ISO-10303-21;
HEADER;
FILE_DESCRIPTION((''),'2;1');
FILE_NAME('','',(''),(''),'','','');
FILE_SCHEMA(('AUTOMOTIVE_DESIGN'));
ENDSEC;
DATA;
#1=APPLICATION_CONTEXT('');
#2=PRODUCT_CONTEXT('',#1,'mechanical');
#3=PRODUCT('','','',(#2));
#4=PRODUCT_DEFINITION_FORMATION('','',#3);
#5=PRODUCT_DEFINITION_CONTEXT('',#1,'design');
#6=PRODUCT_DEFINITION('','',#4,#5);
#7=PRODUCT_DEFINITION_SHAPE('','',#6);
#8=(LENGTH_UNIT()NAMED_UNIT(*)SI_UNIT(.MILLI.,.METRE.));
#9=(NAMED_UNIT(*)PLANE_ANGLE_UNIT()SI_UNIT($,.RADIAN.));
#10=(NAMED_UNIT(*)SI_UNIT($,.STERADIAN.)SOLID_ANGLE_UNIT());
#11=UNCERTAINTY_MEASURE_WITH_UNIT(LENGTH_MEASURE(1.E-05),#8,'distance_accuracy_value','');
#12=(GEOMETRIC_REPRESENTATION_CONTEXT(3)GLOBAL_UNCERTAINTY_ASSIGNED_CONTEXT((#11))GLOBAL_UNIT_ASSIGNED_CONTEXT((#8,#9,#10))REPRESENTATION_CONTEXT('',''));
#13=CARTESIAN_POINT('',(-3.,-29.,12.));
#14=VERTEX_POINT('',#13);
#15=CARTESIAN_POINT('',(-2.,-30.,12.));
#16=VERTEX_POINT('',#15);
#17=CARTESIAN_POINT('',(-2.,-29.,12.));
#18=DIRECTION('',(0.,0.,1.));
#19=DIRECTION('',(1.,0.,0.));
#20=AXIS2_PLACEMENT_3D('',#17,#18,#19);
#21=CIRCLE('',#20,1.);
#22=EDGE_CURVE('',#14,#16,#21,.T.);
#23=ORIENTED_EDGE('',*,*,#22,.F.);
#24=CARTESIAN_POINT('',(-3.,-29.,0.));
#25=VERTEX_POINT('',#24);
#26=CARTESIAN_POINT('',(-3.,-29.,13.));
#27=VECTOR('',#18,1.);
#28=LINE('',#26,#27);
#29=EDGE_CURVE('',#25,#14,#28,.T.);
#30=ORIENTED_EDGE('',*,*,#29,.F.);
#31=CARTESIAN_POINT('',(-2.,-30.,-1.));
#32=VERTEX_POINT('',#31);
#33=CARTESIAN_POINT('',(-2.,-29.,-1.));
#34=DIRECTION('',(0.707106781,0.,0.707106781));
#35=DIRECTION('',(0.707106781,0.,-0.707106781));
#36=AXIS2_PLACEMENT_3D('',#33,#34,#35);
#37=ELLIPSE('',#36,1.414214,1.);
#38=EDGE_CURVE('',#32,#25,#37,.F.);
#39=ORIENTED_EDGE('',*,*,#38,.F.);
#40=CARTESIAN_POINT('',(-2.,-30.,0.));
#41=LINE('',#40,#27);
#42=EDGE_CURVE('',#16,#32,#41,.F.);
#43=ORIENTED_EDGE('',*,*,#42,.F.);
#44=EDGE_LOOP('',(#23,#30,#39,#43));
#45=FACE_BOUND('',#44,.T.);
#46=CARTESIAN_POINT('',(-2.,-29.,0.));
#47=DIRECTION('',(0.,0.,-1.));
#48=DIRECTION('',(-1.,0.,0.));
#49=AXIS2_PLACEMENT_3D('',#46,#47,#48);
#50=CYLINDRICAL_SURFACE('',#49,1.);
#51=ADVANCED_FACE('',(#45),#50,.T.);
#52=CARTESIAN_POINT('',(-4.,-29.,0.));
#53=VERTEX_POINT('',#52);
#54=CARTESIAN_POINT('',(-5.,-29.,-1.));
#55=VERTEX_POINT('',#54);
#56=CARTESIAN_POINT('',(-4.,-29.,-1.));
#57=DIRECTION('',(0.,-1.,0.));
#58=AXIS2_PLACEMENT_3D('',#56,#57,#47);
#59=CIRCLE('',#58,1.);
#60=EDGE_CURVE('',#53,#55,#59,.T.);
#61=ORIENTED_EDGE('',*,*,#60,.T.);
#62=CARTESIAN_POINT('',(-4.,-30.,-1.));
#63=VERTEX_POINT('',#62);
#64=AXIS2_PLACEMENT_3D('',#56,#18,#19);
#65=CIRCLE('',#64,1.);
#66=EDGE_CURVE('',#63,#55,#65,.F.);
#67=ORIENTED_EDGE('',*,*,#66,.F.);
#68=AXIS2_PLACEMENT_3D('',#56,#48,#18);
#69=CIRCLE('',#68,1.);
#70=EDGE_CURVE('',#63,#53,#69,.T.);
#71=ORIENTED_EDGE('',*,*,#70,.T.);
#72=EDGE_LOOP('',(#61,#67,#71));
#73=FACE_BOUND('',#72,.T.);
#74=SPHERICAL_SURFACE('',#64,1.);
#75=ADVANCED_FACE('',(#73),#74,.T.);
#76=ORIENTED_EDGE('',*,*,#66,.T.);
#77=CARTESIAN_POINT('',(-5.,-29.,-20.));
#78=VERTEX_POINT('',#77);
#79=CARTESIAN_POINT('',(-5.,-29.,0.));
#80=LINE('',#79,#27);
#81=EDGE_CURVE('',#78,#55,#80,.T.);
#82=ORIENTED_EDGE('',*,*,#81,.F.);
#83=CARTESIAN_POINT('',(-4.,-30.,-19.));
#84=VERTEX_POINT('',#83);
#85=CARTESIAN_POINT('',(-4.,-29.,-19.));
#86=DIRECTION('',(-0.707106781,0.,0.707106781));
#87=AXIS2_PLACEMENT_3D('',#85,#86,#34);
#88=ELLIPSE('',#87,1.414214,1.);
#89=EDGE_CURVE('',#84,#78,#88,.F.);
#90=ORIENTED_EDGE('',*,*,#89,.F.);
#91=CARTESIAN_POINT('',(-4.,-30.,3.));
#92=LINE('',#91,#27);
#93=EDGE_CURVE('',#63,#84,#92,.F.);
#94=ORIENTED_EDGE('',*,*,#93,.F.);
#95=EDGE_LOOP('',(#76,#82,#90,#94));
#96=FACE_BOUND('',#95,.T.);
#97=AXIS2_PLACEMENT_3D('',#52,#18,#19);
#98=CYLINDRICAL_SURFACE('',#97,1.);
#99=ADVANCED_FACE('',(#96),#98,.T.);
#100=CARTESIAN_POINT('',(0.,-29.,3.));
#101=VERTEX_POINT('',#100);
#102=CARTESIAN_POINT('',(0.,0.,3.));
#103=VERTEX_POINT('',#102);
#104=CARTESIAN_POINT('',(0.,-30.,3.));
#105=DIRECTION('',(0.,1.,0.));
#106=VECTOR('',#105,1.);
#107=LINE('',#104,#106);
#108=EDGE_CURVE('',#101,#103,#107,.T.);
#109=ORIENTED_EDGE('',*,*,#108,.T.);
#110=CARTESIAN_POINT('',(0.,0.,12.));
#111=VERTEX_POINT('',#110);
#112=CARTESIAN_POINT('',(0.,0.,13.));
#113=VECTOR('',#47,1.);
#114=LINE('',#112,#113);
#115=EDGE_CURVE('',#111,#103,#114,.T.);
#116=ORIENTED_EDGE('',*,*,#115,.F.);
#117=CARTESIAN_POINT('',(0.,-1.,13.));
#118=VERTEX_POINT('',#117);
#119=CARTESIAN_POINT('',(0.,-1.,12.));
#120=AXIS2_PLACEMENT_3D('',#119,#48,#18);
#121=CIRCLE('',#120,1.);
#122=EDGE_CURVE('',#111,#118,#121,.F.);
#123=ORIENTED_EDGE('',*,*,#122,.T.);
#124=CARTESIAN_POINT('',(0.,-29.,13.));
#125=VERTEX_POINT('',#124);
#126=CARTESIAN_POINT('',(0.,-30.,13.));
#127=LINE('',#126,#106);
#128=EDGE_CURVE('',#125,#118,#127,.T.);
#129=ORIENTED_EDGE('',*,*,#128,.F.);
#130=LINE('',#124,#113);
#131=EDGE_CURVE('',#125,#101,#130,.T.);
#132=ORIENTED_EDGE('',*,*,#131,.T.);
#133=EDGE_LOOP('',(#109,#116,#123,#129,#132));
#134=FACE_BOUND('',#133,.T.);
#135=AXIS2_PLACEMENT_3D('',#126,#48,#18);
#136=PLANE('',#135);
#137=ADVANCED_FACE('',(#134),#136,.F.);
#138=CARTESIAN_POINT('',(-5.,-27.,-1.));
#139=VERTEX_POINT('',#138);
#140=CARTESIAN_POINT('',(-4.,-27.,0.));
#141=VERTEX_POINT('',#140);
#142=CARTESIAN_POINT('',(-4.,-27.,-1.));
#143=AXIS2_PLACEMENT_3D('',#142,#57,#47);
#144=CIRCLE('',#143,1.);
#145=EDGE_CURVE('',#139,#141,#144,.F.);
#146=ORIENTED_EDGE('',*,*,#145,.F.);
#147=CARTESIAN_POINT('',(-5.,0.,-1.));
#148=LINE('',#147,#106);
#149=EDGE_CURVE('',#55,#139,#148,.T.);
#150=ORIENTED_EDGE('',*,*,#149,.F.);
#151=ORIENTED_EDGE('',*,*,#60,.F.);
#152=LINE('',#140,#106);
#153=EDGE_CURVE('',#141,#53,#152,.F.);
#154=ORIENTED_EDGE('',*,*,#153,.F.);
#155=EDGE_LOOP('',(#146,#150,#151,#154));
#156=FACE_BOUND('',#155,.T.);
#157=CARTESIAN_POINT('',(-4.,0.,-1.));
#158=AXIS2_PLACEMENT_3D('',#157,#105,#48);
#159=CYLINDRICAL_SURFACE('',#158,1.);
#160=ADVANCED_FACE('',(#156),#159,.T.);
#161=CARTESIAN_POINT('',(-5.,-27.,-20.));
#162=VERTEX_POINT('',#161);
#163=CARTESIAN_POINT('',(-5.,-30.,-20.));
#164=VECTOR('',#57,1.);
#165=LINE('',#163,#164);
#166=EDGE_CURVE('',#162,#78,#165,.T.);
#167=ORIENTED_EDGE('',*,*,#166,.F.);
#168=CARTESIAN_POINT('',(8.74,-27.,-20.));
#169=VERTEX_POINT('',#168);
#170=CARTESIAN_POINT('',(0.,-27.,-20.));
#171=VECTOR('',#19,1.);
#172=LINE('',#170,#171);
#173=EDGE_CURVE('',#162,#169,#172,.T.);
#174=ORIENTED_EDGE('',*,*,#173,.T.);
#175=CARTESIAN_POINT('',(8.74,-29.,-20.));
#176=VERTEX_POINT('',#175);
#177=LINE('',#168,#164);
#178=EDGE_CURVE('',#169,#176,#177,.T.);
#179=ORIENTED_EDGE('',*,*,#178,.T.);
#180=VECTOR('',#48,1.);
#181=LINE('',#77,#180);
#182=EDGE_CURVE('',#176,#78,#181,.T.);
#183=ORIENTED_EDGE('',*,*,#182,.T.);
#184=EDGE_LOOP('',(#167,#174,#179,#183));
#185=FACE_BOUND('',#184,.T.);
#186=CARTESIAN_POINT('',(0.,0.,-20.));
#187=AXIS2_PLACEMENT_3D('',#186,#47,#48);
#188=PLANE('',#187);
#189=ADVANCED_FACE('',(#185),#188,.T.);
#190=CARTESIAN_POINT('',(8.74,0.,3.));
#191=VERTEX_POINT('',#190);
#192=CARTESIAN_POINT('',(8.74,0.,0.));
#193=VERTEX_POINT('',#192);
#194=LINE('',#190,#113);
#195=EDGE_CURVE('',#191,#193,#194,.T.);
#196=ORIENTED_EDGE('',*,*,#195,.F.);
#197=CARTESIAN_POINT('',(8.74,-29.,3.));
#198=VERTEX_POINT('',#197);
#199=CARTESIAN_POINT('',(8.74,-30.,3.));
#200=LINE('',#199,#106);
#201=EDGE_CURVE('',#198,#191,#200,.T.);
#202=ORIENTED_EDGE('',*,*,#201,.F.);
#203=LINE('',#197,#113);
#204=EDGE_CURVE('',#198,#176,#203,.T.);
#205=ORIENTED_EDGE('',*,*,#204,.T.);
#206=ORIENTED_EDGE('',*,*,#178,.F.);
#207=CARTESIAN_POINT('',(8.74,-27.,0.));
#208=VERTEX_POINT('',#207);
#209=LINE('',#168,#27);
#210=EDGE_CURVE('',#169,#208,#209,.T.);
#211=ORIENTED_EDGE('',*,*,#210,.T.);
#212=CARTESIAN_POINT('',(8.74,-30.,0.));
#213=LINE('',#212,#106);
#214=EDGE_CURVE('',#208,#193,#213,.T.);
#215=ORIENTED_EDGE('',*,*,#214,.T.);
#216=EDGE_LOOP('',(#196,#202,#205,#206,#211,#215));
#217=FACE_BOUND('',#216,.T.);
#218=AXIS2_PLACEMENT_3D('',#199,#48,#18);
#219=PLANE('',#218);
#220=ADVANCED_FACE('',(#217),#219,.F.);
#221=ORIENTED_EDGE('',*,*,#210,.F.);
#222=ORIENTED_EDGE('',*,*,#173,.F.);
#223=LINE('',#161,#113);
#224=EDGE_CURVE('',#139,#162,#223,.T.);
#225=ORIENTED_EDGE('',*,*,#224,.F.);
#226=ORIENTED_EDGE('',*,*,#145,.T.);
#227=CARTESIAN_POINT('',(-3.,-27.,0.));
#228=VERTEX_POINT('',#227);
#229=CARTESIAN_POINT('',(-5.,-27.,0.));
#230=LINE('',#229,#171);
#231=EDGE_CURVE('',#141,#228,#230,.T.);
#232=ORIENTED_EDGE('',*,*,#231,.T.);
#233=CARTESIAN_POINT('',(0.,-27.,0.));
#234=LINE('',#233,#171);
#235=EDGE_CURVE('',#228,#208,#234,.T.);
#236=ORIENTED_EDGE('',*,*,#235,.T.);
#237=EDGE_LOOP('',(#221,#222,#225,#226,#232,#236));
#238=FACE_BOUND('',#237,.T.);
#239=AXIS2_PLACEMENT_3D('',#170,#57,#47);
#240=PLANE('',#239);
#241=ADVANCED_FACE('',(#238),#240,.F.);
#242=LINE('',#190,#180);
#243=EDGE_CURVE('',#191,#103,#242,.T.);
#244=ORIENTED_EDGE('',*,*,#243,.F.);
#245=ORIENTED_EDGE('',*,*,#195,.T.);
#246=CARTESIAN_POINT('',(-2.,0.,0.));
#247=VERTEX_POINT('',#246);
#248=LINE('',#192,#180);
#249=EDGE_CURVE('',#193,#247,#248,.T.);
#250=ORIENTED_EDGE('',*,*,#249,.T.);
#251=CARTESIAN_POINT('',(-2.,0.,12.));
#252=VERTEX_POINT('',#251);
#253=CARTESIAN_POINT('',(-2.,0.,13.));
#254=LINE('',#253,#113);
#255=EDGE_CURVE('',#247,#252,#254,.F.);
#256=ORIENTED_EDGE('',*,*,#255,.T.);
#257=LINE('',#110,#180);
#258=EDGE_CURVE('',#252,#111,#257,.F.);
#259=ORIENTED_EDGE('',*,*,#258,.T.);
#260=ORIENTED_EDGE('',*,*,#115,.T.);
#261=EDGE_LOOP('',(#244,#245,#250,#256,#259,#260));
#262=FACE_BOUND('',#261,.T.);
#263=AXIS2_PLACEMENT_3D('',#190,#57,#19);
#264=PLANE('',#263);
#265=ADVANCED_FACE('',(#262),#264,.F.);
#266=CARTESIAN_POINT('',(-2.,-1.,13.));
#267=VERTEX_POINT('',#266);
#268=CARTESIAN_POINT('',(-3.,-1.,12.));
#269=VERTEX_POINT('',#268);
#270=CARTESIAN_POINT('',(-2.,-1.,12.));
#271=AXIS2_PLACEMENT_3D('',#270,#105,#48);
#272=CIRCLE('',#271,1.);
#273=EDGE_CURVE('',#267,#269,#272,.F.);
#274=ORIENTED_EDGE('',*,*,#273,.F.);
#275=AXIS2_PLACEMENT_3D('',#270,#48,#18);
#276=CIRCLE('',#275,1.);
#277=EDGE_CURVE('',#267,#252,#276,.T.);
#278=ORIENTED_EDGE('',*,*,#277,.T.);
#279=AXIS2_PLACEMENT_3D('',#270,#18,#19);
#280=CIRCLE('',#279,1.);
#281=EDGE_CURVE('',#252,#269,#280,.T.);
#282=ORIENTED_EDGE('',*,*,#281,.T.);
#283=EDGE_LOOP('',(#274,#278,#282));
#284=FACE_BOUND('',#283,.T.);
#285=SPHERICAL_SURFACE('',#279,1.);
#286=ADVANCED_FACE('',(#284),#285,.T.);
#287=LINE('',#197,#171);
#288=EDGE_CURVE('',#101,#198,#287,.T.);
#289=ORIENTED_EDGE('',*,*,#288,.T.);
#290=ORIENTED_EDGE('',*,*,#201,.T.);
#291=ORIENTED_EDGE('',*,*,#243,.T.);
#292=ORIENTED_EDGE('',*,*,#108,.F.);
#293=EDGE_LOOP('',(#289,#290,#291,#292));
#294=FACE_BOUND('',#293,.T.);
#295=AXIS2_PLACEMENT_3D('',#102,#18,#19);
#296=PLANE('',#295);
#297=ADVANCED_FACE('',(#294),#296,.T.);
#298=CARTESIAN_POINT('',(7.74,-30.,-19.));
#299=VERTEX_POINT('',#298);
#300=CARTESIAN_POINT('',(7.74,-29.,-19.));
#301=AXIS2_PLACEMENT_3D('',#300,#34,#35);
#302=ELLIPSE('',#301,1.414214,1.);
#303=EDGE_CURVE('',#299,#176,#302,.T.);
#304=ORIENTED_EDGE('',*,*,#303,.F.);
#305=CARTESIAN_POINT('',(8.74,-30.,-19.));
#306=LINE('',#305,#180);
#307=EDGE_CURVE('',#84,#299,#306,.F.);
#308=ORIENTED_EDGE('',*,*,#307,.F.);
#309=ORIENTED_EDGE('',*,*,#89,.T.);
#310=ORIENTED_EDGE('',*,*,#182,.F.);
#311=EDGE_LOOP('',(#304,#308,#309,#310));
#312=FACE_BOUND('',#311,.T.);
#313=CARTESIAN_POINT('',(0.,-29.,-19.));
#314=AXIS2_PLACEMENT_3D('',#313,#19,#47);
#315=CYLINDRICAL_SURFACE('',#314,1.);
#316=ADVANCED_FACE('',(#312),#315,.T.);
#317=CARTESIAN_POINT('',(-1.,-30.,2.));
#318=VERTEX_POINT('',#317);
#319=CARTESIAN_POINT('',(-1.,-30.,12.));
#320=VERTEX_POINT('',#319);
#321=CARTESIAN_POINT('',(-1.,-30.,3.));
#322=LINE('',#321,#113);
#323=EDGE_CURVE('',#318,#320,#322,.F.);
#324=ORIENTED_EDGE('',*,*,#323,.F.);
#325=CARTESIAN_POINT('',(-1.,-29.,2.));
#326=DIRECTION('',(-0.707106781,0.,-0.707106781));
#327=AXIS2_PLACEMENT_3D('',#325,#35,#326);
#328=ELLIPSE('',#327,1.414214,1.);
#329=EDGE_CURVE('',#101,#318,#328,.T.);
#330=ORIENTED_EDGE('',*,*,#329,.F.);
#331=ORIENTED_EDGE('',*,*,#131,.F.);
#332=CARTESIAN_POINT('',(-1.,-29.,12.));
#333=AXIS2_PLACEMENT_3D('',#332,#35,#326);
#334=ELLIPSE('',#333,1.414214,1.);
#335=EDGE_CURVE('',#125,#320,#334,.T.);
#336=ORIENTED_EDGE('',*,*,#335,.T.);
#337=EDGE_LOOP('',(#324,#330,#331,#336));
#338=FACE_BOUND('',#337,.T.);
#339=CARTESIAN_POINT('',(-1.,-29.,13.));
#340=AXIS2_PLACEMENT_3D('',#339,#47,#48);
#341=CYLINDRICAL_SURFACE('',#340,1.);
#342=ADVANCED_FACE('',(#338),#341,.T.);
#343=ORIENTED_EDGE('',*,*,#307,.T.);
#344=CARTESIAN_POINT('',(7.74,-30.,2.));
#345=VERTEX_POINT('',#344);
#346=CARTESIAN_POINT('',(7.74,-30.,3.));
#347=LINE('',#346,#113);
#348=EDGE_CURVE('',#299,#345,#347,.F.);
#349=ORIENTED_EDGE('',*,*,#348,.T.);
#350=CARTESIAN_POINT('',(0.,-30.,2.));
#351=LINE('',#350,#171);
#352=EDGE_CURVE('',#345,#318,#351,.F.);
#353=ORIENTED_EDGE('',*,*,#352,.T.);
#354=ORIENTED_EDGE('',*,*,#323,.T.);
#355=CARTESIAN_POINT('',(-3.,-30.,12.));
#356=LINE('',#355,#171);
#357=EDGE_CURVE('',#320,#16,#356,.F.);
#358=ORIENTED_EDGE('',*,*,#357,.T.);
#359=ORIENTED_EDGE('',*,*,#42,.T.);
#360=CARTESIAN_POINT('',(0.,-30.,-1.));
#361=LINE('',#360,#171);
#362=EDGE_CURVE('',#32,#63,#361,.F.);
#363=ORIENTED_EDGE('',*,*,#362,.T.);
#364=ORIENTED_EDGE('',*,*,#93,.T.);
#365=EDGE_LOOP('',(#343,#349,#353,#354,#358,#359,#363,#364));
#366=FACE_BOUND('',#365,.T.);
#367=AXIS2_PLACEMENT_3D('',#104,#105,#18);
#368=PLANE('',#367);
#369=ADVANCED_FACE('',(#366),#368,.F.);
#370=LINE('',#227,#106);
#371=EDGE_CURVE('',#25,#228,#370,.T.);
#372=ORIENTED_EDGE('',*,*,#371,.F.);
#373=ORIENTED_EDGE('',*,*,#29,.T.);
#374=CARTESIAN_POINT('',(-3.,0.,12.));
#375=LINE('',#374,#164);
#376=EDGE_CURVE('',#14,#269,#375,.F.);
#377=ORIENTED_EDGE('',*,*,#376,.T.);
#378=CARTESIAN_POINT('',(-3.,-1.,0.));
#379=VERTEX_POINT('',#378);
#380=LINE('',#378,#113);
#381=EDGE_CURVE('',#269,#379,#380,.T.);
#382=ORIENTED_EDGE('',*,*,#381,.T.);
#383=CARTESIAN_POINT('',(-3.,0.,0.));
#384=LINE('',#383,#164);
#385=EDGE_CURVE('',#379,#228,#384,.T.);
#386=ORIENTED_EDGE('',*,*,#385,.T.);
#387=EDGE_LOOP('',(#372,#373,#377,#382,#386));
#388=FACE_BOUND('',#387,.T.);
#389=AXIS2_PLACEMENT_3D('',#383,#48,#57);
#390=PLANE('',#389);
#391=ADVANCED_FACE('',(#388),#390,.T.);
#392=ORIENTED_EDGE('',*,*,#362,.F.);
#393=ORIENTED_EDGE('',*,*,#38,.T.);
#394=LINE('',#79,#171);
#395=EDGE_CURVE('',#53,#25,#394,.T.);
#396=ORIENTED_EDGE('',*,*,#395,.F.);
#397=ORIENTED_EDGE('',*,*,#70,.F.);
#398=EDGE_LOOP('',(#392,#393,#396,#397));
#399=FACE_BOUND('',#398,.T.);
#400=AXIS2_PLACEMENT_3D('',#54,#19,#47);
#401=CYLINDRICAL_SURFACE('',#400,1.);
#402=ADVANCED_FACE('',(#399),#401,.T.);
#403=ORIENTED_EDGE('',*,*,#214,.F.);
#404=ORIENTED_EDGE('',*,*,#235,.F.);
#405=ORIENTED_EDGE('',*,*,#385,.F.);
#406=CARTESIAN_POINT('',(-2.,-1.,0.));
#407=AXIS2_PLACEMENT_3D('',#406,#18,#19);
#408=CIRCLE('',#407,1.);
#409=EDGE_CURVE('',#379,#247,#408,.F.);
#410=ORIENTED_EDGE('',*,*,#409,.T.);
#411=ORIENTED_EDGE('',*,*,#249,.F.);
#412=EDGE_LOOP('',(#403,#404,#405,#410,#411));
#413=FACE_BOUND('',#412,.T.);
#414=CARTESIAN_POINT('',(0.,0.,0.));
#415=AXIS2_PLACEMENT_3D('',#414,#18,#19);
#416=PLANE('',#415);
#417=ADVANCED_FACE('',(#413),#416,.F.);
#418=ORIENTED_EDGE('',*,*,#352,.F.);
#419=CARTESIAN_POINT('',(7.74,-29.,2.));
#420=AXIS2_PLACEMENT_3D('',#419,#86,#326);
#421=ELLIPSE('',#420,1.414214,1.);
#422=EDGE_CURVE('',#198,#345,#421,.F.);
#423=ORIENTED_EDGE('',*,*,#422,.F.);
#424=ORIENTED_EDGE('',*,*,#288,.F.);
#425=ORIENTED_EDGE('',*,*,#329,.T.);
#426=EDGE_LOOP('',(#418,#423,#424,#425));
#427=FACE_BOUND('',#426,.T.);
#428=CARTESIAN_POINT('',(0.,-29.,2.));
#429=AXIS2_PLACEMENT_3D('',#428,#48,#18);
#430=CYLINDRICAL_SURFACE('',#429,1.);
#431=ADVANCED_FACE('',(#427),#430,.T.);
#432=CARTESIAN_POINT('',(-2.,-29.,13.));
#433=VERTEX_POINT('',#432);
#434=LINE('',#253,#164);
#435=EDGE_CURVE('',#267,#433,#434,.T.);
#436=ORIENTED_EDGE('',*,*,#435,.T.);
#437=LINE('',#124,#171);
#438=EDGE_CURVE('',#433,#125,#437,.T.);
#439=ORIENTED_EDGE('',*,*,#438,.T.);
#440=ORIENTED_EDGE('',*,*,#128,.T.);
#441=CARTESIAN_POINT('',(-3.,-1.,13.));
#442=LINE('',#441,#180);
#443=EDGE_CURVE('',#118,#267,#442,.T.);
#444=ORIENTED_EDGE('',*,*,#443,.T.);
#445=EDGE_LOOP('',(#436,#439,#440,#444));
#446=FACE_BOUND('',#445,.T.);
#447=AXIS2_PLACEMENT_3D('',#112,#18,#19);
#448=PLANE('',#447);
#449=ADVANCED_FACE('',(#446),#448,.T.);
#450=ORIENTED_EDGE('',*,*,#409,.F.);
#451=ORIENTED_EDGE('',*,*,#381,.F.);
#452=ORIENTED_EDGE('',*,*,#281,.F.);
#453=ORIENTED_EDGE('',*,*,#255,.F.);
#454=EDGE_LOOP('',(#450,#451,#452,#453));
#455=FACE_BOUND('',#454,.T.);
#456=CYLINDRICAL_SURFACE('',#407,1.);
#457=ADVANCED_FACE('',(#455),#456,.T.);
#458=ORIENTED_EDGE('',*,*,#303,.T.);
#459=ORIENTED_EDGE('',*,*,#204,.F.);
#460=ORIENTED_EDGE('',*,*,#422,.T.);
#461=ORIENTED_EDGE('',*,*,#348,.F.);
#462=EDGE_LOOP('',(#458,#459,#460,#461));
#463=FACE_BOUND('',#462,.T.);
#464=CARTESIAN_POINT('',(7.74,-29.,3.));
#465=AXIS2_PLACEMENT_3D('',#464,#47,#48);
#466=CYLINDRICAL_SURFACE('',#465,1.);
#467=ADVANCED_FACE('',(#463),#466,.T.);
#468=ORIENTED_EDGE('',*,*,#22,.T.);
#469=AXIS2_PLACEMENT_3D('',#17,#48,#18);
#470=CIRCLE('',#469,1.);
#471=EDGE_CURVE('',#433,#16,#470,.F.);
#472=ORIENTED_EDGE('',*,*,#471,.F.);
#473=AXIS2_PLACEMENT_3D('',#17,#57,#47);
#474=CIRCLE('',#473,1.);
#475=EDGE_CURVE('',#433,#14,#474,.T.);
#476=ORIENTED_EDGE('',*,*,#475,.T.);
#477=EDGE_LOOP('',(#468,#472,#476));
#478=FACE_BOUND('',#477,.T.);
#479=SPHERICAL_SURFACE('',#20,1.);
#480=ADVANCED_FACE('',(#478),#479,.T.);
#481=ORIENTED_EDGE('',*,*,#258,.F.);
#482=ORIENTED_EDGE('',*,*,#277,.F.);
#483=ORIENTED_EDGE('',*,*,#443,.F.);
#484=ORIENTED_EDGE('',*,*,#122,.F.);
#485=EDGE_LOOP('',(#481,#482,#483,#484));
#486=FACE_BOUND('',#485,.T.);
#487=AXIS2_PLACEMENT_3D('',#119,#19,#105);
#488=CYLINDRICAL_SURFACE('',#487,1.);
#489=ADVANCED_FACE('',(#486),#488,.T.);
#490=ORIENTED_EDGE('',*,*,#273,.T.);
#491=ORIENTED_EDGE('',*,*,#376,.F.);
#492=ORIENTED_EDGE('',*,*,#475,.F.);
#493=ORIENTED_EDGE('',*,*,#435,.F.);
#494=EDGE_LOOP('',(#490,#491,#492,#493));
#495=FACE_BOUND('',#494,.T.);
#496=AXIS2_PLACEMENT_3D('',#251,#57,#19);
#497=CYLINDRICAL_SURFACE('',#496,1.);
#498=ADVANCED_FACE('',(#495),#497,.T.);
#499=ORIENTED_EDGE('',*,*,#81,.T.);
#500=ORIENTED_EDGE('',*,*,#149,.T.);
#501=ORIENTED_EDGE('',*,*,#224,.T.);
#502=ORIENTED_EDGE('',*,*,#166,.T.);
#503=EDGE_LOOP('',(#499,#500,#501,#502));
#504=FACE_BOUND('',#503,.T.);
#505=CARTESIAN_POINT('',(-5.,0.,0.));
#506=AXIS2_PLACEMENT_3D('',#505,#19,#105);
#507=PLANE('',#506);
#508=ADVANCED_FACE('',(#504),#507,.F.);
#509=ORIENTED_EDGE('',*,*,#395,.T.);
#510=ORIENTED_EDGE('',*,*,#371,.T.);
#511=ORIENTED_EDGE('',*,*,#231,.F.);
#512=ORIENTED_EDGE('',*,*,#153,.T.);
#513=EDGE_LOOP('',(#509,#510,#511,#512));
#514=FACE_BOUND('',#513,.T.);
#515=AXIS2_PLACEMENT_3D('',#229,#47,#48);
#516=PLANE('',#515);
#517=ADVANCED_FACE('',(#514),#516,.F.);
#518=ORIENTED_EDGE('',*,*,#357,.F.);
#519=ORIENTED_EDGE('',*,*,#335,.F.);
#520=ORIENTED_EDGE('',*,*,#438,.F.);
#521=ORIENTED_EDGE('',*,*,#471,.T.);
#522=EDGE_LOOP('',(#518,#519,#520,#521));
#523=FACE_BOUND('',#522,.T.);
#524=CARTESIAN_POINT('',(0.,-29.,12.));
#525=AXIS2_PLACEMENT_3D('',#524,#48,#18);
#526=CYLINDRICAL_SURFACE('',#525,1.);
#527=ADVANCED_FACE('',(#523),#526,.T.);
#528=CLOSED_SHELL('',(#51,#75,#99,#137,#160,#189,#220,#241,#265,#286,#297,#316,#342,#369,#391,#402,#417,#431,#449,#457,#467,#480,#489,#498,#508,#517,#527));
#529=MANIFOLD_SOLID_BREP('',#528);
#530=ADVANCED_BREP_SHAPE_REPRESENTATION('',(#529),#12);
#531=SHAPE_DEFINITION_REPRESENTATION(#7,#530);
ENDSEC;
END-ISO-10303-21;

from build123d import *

# Parameters (mm, degrees)
SKETCH1_W            = 8.74
SKETCH1_H            = 30
BOSS_EXTRUDE1_DEPTH  = 3
SKETCH8_W            = 8.74
SKETCH8_H            = 3
BOSS_EXTRUDE7_DEPTH  = 20
SKETCH9_W            = 20
SKETCH9_H            = 3
BOSS_EXTRUDE8_DEPTH  = 5
SKETCH12_W           = 3
SKETCH12_H           = 30
BOSS_EXTRUDE10_DEPTH = 3
SKETCH13_W           = 3
SKETCH13_H           = 30
BOSS_EXTRUDE11_DEPTH = 10
FILLET6_R            = 1


with BuildPart() as part:
    # Sketch1 → Boss-Extrude1 (new body)
    with BuildSketch(Plane.XY):
        with Locations((4.37, -15)):
            Rectangle(SKETCH1_W, SKETCH1_H)
    extrude(amount=BOSS_EXTRUDE1_DEPTH)

    # Sketch8 → Boss-Extrude7 (add)
    with BuildSketch(Plane(origin=(0, 0, 0), x_dir=(-1, 0, 0), z_dir=(0, 0, -1))):
        with Locations((-4.37, -28.5)):
            Rectangle(SKETCH8_W, SKETCH8_H)
    extrude(amount=BOSS_EXTRUDE7_DEPTH)

    # Sketch9 → Boss-Extrude8 (add)
    with BuildSketch(Plane.ZY):
        with Locations((-10, -28.5)):
            Rectangle(SKETCH9_W, SKETCH9_H)
    extrude(amount=BOSS_EXTRUDE8_DEPTH)

    # Sketch12 → Boss-Extrude10 (add)
    with BuildSketch(Plane.ZY):
        with Locations((1.5, -15)):
            Rectangle(SKETCH12_W, SKETCH12_H)
    extrude(amount=BOSS_EXTRUDE10_DEPTH)

    # Sketch13 → Boss-Extrude11 (add)
    with BuildSketch(Plane.XY.offset(3)):
        with Locations((-1.5, -15)):
            Rectangle(SKETCH13_W, SKETCH13_H)
    extrude(amount=BOSS_EXTRUDE11_DEPTH)

    # Fillet6
    fillet6_edges = [part.edges().sort_by_distance(p)[0] for p in [
        (1.87, -30, -20),
        (-4, -30, 0),
        (-5, -30, -10),
        (-5, -28.5, 0),
        (-3, 0, 6.5),
        (-3, -30, 6.5),
        (4.37, -30, 3),
        (0, -30, 8),
        (-1.5, 0, 13),
        (-3, -15, 13),
        (-1.5, -30, 13),
        (8.74, -30, -8.5),
    ]]
    fillet(fillet6_edges, radius=FILLET6_R)


solid = part.part
